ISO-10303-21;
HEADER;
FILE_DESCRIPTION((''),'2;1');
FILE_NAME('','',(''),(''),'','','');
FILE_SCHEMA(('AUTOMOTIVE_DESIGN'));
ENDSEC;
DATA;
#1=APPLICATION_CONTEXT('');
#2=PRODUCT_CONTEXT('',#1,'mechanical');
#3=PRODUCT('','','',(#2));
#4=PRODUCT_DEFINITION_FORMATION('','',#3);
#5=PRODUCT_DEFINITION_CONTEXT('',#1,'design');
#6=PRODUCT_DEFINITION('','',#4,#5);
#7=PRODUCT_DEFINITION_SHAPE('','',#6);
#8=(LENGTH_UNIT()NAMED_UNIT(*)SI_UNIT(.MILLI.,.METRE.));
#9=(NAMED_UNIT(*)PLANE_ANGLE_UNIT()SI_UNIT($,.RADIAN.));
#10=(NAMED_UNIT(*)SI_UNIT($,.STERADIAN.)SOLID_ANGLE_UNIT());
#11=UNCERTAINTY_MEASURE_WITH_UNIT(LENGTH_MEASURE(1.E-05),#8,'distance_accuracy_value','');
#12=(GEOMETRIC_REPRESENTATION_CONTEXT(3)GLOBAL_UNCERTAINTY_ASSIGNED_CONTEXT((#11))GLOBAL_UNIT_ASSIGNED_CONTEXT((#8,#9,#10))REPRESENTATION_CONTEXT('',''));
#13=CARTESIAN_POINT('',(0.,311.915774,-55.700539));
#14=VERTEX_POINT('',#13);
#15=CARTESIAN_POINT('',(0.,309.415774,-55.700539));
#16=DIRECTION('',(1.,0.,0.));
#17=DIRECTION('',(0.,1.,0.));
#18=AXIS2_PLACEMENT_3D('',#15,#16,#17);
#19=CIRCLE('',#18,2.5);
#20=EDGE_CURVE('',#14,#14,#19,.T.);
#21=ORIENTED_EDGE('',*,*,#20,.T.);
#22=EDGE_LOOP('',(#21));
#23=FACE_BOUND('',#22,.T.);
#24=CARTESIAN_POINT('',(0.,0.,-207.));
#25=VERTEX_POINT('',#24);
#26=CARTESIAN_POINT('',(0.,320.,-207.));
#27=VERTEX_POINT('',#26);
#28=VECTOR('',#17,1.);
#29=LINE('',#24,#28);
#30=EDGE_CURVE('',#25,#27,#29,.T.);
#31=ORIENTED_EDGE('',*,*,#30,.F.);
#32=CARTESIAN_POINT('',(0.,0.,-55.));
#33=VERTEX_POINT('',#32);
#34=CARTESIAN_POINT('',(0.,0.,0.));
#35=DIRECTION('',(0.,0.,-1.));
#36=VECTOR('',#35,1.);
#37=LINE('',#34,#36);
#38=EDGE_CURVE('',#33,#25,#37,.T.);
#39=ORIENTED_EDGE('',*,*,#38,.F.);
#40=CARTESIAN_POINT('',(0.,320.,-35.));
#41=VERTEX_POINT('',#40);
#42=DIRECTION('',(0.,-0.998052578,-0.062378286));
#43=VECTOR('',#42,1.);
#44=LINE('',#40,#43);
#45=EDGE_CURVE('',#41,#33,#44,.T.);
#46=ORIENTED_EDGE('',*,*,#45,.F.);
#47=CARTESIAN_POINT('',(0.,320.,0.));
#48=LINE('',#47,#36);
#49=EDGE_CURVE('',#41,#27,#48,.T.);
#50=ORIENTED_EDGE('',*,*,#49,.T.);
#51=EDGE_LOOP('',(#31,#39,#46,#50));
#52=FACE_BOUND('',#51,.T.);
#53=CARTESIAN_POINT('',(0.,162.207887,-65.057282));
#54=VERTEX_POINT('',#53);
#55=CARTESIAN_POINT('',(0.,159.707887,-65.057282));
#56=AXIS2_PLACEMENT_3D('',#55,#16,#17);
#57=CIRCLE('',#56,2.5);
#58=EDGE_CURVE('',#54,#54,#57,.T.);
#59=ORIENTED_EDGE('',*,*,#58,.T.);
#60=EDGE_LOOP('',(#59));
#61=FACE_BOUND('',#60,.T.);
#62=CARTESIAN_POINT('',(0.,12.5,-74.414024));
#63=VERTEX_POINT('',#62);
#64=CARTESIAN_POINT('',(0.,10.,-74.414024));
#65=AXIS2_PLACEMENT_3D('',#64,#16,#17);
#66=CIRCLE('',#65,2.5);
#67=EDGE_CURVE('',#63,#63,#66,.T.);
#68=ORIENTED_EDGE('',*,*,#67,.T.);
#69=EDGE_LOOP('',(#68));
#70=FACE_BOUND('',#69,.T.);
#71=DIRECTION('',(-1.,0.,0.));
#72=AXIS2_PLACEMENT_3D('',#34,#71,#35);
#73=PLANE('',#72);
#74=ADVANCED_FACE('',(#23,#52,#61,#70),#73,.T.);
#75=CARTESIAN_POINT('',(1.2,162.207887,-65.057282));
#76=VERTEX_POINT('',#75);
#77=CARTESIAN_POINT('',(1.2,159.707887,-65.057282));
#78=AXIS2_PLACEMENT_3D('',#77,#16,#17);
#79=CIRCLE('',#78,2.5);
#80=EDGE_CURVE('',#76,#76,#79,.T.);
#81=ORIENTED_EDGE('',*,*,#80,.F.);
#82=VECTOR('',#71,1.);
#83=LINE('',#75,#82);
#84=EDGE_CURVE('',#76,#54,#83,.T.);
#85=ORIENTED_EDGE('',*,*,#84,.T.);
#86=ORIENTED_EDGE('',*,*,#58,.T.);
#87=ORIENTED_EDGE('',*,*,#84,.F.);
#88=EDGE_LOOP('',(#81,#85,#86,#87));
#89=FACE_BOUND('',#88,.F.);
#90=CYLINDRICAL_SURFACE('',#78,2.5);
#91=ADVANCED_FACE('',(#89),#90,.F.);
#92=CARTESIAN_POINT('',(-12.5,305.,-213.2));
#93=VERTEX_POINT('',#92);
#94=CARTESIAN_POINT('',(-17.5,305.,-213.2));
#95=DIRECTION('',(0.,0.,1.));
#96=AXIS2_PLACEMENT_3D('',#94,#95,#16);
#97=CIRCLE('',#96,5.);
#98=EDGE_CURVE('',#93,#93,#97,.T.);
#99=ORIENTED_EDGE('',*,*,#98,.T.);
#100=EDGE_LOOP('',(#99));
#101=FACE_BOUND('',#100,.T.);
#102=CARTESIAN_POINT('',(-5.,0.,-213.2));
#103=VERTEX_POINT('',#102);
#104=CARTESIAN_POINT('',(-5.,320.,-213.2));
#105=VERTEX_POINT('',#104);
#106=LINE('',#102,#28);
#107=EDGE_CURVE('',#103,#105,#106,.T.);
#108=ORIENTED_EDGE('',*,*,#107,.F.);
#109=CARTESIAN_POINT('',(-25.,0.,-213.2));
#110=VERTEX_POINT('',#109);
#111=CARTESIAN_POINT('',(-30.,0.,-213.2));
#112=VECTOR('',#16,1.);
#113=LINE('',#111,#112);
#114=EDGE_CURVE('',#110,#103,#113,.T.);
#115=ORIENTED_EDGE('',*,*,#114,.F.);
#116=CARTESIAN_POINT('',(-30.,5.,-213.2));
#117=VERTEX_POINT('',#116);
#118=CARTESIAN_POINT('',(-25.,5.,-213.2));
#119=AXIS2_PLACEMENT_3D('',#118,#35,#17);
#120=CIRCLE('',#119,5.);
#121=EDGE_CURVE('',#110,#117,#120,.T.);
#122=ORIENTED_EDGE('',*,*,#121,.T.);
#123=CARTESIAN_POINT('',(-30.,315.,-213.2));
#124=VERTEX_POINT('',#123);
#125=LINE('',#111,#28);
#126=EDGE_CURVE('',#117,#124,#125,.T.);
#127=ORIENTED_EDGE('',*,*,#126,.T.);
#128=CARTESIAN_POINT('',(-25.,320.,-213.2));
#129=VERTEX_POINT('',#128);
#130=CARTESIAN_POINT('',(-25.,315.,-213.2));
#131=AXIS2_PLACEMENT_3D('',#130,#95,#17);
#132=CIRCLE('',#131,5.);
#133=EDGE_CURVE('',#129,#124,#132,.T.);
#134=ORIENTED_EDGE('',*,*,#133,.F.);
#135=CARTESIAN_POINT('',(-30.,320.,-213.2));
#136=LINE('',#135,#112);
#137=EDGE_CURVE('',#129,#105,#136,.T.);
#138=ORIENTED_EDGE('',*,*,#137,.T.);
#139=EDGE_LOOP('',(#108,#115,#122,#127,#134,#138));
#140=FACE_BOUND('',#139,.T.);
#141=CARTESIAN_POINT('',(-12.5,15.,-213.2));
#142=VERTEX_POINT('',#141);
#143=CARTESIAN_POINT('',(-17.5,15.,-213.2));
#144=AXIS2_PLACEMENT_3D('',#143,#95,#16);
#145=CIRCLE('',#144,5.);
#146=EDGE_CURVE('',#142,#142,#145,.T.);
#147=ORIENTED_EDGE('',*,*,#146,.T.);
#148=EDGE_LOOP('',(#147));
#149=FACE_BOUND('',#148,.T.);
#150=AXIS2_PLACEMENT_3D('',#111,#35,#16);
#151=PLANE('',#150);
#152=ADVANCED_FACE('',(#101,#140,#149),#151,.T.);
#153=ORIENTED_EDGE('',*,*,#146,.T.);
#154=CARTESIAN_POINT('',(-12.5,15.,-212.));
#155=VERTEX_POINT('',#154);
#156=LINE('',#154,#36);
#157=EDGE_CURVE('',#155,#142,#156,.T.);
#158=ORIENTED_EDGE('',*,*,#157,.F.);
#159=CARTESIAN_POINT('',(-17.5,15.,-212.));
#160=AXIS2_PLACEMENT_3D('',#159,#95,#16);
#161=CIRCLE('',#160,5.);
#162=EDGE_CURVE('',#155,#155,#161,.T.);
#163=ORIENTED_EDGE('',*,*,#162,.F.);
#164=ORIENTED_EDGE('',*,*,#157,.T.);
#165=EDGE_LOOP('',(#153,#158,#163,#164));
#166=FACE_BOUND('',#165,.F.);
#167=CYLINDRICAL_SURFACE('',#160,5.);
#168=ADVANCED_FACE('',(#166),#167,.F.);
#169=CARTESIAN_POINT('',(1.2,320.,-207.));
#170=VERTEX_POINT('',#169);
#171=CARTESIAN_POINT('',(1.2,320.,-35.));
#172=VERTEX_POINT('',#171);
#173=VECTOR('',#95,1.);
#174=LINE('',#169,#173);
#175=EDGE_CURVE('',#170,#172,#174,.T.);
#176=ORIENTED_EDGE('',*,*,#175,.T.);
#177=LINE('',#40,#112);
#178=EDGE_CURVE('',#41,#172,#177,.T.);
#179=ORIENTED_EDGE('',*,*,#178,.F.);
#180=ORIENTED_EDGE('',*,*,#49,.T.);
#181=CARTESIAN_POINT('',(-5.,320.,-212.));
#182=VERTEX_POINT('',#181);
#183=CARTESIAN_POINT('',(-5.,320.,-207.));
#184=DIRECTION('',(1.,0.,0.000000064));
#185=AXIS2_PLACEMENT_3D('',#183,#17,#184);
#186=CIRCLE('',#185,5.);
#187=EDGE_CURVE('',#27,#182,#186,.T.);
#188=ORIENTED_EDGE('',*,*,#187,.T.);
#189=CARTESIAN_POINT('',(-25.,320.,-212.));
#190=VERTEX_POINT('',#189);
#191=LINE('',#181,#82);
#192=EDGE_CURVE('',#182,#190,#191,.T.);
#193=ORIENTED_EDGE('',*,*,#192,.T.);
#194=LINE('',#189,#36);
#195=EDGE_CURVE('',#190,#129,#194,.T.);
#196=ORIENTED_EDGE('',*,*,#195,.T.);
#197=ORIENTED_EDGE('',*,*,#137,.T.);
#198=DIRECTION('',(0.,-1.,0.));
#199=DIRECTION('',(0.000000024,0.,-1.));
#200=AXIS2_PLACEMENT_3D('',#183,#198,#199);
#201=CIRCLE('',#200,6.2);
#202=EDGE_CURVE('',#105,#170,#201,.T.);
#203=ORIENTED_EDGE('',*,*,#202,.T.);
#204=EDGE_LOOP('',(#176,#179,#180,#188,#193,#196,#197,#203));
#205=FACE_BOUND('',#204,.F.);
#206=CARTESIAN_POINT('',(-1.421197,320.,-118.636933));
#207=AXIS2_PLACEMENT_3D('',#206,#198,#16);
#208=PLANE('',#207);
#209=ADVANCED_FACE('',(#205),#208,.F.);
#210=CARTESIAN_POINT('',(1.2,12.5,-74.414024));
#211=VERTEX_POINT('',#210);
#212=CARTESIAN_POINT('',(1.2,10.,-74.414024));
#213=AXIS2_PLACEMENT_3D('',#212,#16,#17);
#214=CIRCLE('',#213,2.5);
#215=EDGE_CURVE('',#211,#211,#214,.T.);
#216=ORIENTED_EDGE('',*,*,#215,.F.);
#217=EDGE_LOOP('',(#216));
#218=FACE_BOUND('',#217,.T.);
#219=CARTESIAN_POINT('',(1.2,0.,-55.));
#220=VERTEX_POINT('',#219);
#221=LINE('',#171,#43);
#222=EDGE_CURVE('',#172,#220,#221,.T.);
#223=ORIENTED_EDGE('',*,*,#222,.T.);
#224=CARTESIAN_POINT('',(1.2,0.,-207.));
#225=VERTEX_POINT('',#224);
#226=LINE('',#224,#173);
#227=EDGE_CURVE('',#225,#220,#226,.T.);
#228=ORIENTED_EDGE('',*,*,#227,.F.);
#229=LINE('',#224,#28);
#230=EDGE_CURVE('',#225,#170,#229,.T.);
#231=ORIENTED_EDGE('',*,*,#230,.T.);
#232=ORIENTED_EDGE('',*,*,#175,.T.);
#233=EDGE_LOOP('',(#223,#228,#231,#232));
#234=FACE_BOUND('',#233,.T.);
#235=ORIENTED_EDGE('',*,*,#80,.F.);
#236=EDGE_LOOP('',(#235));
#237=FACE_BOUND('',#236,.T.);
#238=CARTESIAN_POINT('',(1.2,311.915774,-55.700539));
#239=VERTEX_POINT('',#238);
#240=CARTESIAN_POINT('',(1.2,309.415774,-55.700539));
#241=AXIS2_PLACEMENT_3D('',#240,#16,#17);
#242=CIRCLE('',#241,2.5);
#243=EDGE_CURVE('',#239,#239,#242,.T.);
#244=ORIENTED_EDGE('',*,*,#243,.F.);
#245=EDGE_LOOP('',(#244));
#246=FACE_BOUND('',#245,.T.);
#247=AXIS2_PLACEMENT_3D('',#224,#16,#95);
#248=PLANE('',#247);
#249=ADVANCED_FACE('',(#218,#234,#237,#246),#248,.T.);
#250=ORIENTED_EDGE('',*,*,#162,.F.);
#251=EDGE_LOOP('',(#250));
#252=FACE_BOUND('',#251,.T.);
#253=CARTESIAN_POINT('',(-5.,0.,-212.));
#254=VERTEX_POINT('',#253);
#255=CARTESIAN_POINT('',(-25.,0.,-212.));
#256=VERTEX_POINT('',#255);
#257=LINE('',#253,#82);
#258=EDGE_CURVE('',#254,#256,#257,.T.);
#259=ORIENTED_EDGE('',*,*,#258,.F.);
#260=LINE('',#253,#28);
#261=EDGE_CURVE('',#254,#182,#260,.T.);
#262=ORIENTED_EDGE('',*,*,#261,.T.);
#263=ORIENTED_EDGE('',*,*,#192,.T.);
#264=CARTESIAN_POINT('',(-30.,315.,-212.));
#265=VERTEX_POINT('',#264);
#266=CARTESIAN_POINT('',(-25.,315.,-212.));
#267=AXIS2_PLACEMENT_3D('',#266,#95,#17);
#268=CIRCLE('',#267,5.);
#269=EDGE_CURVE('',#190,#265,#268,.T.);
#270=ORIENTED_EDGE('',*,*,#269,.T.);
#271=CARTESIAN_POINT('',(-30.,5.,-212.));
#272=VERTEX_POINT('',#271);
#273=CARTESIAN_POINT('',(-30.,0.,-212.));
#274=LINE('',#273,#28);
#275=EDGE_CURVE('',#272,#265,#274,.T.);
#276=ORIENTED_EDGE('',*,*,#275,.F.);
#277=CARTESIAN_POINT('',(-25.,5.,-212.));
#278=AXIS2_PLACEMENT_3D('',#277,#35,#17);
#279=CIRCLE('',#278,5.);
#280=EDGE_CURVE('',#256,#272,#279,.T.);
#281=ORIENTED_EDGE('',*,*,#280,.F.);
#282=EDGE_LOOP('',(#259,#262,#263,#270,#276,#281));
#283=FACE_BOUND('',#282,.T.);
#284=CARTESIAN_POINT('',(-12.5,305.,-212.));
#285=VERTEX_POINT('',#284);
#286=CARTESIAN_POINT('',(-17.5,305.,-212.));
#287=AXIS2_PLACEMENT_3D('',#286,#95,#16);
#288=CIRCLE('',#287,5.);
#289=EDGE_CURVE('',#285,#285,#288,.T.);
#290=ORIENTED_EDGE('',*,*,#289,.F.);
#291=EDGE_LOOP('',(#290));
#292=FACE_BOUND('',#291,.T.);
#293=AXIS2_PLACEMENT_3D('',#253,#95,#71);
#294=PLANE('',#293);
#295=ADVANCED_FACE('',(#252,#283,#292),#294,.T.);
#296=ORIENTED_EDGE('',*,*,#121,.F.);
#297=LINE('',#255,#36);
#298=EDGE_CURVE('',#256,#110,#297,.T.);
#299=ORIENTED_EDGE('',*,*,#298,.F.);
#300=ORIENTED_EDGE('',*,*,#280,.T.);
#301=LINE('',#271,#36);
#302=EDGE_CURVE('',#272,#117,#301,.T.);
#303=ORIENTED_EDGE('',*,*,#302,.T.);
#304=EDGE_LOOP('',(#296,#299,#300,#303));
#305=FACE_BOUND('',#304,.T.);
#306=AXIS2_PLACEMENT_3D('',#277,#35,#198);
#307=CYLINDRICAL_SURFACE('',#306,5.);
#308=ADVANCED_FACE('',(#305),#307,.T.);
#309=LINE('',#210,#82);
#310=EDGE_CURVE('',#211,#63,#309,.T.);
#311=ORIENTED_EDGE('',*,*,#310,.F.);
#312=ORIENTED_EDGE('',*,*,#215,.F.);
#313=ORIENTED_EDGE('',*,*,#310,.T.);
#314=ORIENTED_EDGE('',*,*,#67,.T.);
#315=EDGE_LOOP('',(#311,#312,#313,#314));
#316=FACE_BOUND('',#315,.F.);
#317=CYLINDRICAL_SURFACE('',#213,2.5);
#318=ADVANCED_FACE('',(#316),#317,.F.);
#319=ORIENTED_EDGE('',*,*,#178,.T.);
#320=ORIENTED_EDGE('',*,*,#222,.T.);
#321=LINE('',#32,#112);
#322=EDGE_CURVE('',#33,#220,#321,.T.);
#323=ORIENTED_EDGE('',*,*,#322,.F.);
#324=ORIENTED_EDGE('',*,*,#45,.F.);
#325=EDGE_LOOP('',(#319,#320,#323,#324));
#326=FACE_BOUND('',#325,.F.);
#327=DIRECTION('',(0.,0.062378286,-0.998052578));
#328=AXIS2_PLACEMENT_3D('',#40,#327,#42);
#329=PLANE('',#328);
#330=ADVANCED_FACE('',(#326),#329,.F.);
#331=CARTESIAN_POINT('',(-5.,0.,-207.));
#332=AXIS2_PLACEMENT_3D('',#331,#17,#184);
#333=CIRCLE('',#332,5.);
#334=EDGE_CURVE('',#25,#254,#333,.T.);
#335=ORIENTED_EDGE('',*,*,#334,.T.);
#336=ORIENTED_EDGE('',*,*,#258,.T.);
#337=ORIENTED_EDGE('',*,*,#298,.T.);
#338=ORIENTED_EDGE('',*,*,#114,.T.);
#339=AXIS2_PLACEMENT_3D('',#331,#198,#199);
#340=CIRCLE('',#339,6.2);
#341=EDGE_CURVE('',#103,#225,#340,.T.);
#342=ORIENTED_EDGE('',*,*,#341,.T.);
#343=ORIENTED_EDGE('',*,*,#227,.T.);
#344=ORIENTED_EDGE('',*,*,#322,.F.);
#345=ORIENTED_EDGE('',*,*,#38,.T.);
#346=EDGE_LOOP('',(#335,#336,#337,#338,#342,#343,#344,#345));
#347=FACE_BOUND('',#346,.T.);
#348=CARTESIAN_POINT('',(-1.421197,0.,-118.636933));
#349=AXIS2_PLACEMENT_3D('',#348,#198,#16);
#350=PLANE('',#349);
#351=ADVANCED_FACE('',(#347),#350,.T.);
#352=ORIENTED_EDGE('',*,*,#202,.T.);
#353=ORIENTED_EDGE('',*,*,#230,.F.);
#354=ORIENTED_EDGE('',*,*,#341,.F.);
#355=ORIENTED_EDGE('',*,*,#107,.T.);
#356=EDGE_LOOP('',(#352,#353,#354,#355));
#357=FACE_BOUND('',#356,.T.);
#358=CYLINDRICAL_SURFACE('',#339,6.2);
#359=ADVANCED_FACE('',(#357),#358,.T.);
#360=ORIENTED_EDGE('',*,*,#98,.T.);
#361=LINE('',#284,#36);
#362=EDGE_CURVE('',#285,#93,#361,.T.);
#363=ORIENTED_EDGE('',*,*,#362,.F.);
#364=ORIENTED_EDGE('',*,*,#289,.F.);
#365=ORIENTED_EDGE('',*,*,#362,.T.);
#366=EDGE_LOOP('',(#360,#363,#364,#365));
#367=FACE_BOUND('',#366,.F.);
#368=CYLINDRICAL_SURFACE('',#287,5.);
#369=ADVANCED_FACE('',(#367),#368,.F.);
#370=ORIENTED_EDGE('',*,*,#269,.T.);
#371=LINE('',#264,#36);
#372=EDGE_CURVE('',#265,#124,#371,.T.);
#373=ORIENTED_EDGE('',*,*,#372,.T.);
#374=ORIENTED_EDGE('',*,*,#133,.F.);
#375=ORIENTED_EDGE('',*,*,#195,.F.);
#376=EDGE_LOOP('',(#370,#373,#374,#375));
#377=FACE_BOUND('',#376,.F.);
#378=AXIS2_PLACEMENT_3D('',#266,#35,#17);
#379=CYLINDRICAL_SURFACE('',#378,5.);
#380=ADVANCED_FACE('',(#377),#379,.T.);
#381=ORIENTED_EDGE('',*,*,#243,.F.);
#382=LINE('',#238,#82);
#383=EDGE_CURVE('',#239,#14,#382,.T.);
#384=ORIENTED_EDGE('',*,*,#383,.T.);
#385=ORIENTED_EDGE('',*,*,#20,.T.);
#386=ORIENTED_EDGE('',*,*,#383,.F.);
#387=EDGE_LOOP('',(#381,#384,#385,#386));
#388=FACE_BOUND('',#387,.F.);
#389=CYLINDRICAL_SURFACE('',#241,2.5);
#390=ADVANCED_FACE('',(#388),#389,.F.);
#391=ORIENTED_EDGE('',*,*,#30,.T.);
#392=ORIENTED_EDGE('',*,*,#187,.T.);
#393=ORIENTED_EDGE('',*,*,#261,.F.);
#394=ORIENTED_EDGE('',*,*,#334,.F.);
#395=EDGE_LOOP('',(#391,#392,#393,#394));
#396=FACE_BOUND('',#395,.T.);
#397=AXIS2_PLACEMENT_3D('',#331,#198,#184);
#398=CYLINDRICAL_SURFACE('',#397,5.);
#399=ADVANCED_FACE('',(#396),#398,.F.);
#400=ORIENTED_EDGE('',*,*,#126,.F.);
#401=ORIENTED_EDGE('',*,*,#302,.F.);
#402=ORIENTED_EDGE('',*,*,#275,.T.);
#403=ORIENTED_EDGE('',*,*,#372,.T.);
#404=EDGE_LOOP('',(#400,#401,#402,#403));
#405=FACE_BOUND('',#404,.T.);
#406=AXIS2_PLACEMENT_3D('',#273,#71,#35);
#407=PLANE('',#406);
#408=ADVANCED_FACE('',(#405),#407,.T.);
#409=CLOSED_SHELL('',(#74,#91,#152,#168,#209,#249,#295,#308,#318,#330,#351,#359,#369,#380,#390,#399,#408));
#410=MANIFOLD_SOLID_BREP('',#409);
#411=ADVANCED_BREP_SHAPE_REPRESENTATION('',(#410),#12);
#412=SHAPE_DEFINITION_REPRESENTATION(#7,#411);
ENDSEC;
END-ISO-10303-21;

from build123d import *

# Parameters (mm, degrees)
F1_DEPTH = 320
F2_R     = 5
F3_DEPTH = 1.2
F4_R     = 5
F6_DEPTH = 1.2
F7_R     = 2.5
F8_DEPTH = 1.2


with BuildPart() as f1:
    # F0 (on Front) → F1 (new body)
    with BuildSketch(Plane.XZ):
        with BuildLine():
            Line((1.2, 0), (0, 0))
            Line((0, 0), (0, -207))
            ThreePointArc((0, -207), (-1.464466, -210.535534), (-5, -212))
            Line((-5, -212), (-30, -212))
            Line((-30, -212), (-30, -213.2))
            Line((-30, -213.2), (-5, -213.2))
            ThreePointArc((-5, -213.2), (-0.615938, -211.384062), (1.2, -207))
            Line((1.2, -207), (1.2, 0))
        make_face()
    extrude(amount=-F1_DEPTH)

    # F2 (on face) → F3 (cut, through all)
    with BuildSketch(Plane.XY.offset(-212)):
        with Locations((-17.5, 305)):
            Circle(F2_R)
        with Locations((-17.5, 15)):
            Circle(F2_R)
    extrude(amount=-F3_DEPTH, mode=Mode.SUBTRACT)

    # F4
    f4_edges = [f1.edges().sort_by_distance(p)[0] for p in [
        (-30, 320, -212.6),
        (-30, 0, -212.6),
    ]]
    fillet(f4_edges, radius=F4_R)

    # F5 (on face) → F6 (cut, through all)
    with BuildSketch(Plane(origin=(0, 0, 0), x_dir=(0, -1, 0), z_dir=(-1, 0, 0))):
        Polygon((0, 0), (-320, 0), (-320, -35), (0, -55), align=None)
    extrude(amount=-F6_DEPTH, mode=Mode.SUBTRACT)

    # F7 (on face) → F8 (cut, through all)
    with BuildSketch(Plane.YZ.offset(1.2)):
        with Locations((10, -74.414024)):
            Circle(F7_R)
        with Locations((159.707887, -65.057282)):
            Circle(F7_R)
        with Locations((309.415774, -55.700539)):
            Circle(F7_R)
    extrude(amount=-F8_DEPTH, mode=Mode.SUBTRACT)


solid = f1.part
